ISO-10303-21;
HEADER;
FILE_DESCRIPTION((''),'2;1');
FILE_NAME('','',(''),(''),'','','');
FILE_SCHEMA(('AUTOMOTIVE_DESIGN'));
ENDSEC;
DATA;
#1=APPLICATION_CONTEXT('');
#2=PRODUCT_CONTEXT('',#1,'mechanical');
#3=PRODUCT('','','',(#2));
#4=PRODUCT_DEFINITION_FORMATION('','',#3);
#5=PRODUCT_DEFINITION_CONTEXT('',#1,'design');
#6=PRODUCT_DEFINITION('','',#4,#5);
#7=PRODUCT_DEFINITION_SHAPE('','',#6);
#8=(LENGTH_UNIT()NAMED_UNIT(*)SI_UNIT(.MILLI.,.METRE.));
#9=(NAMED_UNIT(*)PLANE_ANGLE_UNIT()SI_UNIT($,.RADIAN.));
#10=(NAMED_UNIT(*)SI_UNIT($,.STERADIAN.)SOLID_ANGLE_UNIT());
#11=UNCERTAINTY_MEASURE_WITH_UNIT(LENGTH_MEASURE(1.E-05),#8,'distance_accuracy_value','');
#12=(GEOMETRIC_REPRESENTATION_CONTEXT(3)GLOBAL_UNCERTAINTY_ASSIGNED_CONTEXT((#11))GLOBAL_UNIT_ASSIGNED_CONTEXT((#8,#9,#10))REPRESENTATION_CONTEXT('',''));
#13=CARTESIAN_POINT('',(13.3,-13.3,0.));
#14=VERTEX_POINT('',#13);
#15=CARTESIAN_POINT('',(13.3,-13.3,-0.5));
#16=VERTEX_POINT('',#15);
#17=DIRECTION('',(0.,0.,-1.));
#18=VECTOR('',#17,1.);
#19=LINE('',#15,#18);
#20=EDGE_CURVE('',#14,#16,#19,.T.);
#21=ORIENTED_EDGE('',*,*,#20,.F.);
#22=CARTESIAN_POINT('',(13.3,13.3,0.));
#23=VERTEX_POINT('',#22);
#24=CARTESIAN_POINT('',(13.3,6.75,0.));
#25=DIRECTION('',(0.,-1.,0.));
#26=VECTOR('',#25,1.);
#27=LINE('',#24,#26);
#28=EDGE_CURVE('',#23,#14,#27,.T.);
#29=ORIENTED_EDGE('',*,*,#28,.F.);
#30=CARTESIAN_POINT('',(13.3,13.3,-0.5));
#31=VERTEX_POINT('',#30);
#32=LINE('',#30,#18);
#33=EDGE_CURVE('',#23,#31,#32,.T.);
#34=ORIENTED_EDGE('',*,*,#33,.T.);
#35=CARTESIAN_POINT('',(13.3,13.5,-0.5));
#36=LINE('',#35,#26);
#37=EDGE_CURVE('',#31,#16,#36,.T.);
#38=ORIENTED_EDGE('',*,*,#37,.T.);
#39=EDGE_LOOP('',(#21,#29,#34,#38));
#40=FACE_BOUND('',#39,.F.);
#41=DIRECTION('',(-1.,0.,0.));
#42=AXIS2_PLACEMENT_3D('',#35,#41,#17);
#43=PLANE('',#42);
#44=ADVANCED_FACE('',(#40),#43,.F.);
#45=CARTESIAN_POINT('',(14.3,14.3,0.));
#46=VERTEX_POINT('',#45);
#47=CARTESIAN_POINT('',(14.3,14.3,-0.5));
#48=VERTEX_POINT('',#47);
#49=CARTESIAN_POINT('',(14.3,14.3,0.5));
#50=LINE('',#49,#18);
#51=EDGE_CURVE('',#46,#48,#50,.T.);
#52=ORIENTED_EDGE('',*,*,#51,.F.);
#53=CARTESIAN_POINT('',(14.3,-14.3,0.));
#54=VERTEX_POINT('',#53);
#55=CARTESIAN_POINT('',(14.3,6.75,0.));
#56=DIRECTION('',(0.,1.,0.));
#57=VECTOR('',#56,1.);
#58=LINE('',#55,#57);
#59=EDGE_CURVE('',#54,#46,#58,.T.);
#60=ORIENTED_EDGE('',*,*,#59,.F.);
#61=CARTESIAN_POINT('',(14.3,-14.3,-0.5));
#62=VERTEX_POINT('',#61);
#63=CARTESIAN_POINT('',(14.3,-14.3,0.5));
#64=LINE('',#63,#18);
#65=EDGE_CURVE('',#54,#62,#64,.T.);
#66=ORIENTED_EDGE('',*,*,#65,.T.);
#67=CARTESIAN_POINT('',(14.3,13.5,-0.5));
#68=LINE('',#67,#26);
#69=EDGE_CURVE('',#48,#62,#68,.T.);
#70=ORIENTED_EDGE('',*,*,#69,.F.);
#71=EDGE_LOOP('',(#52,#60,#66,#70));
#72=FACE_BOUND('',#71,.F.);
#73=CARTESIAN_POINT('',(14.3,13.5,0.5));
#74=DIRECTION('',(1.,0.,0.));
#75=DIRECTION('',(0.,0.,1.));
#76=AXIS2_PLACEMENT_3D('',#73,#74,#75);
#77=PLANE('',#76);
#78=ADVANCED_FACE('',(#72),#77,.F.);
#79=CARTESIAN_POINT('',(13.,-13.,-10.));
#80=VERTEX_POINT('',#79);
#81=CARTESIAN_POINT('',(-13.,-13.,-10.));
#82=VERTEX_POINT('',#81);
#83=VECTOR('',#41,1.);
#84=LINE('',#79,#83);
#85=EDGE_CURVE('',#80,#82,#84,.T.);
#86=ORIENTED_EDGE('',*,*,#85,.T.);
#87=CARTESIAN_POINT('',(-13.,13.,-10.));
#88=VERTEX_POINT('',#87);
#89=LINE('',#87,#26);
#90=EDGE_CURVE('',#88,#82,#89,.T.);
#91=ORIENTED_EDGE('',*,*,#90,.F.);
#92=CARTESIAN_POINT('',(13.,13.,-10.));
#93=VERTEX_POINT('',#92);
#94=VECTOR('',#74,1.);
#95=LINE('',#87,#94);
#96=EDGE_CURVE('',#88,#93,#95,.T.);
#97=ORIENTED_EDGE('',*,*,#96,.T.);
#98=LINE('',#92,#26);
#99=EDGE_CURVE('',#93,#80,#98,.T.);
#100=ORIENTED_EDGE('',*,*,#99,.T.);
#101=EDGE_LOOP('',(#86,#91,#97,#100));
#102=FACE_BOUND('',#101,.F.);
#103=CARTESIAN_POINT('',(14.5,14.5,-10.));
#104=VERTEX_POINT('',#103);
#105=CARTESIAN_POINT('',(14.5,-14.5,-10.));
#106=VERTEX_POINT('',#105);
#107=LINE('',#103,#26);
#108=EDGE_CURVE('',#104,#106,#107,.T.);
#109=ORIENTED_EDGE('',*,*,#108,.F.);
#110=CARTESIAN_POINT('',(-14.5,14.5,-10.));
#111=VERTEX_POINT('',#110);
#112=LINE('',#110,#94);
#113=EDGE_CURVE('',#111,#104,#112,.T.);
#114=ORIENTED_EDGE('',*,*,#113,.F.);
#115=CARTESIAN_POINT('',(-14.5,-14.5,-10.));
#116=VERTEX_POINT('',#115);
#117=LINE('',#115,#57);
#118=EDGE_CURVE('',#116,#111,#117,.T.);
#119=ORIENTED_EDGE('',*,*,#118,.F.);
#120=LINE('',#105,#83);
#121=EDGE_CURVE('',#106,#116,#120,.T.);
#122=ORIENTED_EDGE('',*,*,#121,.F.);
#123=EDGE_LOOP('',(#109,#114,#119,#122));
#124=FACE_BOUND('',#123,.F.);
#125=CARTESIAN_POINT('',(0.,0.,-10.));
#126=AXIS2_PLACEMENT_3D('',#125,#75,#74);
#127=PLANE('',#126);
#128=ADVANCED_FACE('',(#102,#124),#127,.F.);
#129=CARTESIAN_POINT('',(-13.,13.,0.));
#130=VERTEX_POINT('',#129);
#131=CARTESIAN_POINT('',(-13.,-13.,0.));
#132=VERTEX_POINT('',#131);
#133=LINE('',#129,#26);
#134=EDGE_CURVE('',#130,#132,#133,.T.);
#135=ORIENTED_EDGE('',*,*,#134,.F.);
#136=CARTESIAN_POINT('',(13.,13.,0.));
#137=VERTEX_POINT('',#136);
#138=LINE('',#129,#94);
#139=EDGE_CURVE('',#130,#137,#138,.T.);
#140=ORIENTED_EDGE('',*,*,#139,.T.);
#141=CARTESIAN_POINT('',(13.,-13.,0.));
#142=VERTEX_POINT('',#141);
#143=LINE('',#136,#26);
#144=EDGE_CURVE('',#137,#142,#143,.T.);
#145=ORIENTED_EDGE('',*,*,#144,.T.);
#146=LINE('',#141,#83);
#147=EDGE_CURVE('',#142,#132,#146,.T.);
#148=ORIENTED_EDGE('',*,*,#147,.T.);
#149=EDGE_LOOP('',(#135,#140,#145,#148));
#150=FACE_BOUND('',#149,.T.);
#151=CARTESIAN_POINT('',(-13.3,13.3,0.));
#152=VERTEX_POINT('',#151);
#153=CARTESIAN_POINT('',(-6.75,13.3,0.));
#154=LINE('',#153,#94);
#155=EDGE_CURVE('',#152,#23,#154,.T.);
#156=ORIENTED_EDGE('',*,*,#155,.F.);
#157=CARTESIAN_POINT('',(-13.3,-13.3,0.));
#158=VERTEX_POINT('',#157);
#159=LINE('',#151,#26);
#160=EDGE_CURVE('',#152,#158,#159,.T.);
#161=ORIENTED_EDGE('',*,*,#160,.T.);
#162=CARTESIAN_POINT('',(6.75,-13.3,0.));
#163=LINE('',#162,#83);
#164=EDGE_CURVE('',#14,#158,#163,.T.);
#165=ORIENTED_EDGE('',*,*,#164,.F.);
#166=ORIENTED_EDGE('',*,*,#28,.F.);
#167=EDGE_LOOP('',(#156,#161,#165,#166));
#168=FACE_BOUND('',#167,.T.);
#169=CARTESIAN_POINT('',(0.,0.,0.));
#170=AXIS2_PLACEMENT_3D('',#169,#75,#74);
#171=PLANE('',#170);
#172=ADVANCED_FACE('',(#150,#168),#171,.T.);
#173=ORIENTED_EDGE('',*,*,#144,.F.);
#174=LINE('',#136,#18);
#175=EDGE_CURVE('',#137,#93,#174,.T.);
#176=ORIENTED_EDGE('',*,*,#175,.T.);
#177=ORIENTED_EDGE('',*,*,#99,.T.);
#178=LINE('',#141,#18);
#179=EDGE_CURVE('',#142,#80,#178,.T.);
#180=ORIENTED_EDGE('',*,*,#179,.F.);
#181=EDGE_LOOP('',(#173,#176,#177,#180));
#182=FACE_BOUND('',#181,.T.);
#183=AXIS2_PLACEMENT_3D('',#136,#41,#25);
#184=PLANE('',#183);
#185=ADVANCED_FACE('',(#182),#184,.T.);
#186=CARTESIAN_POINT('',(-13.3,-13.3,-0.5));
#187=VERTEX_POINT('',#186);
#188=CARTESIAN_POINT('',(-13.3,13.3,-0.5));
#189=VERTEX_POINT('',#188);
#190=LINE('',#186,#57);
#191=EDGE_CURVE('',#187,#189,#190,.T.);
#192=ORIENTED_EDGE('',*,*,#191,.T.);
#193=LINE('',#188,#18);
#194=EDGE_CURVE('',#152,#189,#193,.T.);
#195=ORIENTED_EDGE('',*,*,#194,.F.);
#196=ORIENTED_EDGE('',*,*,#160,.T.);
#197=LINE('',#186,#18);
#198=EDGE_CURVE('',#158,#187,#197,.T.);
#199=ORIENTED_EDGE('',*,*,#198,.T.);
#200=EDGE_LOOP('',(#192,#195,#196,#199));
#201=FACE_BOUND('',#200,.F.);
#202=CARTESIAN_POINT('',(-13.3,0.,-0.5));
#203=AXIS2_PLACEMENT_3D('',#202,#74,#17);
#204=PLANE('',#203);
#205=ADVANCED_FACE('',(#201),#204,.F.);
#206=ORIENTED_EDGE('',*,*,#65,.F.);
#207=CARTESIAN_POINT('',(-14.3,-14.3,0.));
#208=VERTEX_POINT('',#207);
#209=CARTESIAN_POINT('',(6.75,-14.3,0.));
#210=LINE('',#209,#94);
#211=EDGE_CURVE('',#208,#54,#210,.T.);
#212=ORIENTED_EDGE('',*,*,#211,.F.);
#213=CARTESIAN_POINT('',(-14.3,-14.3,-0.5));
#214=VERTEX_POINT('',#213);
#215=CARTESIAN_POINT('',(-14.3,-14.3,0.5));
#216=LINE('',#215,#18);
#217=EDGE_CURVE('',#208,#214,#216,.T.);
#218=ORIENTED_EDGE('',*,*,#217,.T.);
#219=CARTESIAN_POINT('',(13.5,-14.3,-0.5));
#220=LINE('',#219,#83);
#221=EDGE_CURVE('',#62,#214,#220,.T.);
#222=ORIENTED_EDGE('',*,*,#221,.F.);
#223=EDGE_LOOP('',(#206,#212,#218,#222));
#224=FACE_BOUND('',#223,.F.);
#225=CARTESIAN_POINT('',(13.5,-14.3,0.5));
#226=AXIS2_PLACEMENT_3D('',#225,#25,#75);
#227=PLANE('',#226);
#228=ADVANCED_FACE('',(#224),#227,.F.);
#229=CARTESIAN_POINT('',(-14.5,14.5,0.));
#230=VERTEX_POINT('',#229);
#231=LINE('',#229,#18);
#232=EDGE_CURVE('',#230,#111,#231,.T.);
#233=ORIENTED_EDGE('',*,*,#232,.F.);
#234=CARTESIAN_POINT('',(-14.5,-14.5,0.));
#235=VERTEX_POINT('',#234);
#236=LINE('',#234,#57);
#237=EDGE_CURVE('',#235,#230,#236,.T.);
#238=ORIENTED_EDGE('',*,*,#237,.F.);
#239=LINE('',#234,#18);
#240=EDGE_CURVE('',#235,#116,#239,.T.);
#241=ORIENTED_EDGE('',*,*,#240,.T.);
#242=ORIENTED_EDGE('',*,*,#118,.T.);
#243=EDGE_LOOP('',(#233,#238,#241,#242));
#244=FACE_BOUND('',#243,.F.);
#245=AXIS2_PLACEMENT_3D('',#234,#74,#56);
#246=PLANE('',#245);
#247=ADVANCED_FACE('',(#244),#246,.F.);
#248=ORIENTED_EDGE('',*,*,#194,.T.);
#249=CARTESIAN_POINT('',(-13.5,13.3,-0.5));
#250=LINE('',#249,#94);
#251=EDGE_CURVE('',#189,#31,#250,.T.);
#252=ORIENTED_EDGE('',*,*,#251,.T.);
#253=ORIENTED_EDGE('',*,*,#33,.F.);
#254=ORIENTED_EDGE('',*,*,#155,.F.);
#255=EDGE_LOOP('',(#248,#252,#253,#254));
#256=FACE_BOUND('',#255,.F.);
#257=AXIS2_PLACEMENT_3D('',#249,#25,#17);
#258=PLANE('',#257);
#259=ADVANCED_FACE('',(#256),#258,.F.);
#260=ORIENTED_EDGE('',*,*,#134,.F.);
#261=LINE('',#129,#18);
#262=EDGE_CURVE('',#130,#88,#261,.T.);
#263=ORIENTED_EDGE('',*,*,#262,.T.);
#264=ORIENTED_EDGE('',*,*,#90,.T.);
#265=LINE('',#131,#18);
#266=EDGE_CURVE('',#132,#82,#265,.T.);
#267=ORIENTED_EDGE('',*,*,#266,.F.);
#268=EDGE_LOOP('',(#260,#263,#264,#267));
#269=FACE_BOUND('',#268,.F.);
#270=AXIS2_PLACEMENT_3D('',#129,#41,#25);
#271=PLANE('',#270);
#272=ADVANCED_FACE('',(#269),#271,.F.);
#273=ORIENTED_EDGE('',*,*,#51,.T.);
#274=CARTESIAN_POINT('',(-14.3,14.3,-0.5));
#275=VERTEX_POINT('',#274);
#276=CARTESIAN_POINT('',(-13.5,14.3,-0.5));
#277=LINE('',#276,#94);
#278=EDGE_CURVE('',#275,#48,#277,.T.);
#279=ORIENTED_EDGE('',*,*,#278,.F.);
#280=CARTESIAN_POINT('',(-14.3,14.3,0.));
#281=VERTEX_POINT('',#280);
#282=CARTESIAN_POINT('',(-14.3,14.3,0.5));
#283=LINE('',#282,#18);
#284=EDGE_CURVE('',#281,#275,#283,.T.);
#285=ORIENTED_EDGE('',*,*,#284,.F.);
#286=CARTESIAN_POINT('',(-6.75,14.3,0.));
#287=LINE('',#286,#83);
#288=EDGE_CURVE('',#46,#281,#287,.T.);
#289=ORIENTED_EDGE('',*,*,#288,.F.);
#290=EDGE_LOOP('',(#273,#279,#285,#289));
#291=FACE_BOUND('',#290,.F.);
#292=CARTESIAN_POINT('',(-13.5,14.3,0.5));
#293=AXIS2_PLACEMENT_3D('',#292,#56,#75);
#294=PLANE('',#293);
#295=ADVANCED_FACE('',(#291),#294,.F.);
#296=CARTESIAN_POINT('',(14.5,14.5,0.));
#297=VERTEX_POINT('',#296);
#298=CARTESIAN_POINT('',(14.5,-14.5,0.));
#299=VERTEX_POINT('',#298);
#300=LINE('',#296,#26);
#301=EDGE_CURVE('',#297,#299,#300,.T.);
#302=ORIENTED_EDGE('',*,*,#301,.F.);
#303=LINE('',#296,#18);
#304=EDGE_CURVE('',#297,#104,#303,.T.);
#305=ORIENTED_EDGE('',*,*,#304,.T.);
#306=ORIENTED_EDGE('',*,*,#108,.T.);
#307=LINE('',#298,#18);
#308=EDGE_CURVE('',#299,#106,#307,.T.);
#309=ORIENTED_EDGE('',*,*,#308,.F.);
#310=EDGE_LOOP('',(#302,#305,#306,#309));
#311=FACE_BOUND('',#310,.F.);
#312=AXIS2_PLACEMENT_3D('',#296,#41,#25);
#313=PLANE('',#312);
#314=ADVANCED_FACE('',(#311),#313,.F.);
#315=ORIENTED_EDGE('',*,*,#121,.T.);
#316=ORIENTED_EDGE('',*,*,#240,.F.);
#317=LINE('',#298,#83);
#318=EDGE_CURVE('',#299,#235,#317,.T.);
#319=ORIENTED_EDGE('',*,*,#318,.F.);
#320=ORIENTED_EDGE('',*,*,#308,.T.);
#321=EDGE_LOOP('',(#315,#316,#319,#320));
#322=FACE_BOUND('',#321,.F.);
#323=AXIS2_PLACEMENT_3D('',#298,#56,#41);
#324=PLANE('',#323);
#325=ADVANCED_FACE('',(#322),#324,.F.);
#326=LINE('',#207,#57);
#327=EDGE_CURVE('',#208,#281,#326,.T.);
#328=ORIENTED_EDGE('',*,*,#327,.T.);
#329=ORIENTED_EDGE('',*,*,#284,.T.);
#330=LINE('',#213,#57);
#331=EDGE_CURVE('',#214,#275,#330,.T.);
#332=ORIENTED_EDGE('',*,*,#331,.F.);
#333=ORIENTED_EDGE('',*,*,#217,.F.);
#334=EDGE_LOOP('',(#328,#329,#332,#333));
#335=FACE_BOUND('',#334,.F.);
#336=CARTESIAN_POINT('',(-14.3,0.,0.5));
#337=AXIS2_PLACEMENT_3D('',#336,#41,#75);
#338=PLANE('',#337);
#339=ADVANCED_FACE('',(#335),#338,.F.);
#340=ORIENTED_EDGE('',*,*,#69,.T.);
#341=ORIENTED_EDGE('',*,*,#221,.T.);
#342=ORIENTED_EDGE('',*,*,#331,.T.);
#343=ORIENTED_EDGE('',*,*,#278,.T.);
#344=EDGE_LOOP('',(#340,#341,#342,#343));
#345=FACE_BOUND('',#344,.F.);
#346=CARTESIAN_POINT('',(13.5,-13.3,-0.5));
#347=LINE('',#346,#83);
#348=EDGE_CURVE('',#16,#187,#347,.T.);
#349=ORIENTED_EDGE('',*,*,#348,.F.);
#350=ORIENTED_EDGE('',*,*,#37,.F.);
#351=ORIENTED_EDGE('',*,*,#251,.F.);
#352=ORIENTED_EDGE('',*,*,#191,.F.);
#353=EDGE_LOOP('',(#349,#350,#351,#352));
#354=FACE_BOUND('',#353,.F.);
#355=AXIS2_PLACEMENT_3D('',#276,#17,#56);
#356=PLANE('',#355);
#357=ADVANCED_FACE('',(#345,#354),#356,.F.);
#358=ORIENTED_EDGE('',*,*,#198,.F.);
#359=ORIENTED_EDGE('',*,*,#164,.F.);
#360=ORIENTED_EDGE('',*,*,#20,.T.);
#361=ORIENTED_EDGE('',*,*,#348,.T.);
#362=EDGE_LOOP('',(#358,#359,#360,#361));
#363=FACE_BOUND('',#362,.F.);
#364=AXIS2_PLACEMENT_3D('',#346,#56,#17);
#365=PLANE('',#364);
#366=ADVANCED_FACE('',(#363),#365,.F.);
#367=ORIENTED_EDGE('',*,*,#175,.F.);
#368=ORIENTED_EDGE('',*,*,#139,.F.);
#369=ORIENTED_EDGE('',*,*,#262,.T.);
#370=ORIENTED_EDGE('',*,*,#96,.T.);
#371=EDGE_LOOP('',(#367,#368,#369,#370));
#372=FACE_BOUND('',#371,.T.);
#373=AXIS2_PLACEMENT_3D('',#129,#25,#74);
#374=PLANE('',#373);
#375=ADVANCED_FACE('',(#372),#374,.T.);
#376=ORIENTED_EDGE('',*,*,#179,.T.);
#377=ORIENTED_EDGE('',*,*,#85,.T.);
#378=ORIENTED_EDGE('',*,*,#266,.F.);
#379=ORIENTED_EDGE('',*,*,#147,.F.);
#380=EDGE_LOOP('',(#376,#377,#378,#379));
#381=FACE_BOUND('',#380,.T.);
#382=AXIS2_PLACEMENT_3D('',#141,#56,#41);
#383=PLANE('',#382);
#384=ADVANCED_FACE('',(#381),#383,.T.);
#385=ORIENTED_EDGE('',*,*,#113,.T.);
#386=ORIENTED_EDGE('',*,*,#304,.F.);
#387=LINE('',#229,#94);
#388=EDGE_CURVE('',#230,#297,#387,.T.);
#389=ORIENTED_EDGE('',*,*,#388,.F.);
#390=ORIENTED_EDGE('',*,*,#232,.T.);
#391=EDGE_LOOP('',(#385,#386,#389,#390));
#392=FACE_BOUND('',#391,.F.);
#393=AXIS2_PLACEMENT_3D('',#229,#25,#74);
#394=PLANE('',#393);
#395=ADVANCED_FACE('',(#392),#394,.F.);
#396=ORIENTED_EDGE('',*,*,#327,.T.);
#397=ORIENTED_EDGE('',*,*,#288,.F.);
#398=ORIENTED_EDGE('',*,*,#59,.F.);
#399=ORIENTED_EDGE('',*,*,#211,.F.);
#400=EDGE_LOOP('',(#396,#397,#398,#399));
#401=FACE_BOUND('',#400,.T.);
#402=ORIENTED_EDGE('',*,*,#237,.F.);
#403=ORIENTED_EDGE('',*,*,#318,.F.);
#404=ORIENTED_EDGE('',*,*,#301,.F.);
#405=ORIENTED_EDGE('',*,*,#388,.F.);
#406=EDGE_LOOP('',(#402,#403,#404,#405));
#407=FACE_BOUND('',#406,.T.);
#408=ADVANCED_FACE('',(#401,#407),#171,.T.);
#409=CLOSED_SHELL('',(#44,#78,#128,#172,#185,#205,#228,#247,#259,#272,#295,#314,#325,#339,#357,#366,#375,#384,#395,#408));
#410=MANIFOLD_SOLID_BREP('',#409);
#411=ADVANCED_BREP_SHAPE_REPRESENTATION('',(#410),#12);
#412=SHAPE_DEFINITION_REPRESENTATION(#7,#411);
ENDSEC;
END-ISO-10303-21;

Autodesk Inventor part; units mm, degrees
ref_plane "YZ Plane" through (0, 0, 0) normal (1, 0, 0) x (0, 1, 0)
ref_plane "XZ Plane" through (0, 0, 0) normal (0, 1, 0) x (-1, 0, 0)
ref_plane "XY Plane" through (0, 0, 0) normal (0, 0, 1) x (1, 0, 0)
sketch "Sketch1" plane through (0, 0, 0) normal (0, 0, 1) x (1, 0, 0)
  line L0 (12, -12) -> (-12, 12) construction
  line L1 (-12, -12) -> (12, 12) construction
  line L2 (14.5, -14.5) -> (-14.5, -14.5)
  line L3 (-14.5, -14.5) -> (-14.5, 14.5)
  line L4 (-14.5, 14.5) -> (14.5, 14.5)
  line L5 (14.5, 14.5) -> (14.5, -14.5)
  line L6 (14.5, -14.5) -> (-14.5, 14.5) construction
  line L7 (-14.5, -14.5) -> (14.5, 14.5) construction
  line L8 (-13, 13) -> (13, 13)
  line L9 (13, -13) -> (-13, -13)
  line L10 (-13, 13) -> (-13, -13)
  line L11 (13, 13) -> (13, -13)
  point P0 (0, 0)
  dimension "d0" = 29
  dimension "d1" = 29
  dimension "d3" = 26
extrude "Extrusion1" add sketch "Sketch1" against normal blind 10
sketch "Sketch5" plane through (0, 0, 0) normal (0, 0, 1) x (1, 0, 0)
  line L0 (-13.5, 0) -> (-13.5, 13.5)
  line L1 (-13.5, 13.5) -> (13.5, 13.5)
  line L2 (13.5, 13.5) -> (13.5, -13.5)
  line L3 (13.5, -13.5) -> (-13.5, -13.5)
  line L4 (-13.5, -13.5) -> (-13.5, 0)
  line L5 (13, 13) -> (-13, 13) projected
  line L6 (13, -13) -> (13, 13) projected
  line L7 (-13, -13) -> (13, -13) projected
  line L8 (-13, 13) -> (-13, -13) projected
  point P0 (0, 0)
  dimension "d11" = 0.5
  dimension "d12" = 0.5
  dimension "d13" = 0.5
  dimension "d14" = 0.5
sketch "Sketch6" plane through (0, 0, 0) normal (1, 0, 0) x (0, 1, 0)
  line L0 (13.3, 0.5) -> (14.3, 0.5)
  line L1 (14.3, 0.5) -> (14.3, -0.5)
  line L2 (14.3, -0.5) -> (13.3, -0.5)
  line L3 (13.3, -0.5) -> (13.3, 0.5)
  line L4 (13.3, 0.5) -> (14.3, -0.5) construction
  line L5 (14.3, 0.5) -> (13.3, -0.5) construction
  point P0 (0, 0)
  point P1 (13.8, 0)
  dimension "d15" = 1
  dimension "d16" = 13.8
sweep "Sweep1" cut profiles "Sketch6" path "Sketch5" path curves L1 L0 L4 L3 L2
equation "\"d12\" = d11"
equation "\"d13\" = d12"
equation "\"d14\" = d11"
properties part number "Sweep_0003"
